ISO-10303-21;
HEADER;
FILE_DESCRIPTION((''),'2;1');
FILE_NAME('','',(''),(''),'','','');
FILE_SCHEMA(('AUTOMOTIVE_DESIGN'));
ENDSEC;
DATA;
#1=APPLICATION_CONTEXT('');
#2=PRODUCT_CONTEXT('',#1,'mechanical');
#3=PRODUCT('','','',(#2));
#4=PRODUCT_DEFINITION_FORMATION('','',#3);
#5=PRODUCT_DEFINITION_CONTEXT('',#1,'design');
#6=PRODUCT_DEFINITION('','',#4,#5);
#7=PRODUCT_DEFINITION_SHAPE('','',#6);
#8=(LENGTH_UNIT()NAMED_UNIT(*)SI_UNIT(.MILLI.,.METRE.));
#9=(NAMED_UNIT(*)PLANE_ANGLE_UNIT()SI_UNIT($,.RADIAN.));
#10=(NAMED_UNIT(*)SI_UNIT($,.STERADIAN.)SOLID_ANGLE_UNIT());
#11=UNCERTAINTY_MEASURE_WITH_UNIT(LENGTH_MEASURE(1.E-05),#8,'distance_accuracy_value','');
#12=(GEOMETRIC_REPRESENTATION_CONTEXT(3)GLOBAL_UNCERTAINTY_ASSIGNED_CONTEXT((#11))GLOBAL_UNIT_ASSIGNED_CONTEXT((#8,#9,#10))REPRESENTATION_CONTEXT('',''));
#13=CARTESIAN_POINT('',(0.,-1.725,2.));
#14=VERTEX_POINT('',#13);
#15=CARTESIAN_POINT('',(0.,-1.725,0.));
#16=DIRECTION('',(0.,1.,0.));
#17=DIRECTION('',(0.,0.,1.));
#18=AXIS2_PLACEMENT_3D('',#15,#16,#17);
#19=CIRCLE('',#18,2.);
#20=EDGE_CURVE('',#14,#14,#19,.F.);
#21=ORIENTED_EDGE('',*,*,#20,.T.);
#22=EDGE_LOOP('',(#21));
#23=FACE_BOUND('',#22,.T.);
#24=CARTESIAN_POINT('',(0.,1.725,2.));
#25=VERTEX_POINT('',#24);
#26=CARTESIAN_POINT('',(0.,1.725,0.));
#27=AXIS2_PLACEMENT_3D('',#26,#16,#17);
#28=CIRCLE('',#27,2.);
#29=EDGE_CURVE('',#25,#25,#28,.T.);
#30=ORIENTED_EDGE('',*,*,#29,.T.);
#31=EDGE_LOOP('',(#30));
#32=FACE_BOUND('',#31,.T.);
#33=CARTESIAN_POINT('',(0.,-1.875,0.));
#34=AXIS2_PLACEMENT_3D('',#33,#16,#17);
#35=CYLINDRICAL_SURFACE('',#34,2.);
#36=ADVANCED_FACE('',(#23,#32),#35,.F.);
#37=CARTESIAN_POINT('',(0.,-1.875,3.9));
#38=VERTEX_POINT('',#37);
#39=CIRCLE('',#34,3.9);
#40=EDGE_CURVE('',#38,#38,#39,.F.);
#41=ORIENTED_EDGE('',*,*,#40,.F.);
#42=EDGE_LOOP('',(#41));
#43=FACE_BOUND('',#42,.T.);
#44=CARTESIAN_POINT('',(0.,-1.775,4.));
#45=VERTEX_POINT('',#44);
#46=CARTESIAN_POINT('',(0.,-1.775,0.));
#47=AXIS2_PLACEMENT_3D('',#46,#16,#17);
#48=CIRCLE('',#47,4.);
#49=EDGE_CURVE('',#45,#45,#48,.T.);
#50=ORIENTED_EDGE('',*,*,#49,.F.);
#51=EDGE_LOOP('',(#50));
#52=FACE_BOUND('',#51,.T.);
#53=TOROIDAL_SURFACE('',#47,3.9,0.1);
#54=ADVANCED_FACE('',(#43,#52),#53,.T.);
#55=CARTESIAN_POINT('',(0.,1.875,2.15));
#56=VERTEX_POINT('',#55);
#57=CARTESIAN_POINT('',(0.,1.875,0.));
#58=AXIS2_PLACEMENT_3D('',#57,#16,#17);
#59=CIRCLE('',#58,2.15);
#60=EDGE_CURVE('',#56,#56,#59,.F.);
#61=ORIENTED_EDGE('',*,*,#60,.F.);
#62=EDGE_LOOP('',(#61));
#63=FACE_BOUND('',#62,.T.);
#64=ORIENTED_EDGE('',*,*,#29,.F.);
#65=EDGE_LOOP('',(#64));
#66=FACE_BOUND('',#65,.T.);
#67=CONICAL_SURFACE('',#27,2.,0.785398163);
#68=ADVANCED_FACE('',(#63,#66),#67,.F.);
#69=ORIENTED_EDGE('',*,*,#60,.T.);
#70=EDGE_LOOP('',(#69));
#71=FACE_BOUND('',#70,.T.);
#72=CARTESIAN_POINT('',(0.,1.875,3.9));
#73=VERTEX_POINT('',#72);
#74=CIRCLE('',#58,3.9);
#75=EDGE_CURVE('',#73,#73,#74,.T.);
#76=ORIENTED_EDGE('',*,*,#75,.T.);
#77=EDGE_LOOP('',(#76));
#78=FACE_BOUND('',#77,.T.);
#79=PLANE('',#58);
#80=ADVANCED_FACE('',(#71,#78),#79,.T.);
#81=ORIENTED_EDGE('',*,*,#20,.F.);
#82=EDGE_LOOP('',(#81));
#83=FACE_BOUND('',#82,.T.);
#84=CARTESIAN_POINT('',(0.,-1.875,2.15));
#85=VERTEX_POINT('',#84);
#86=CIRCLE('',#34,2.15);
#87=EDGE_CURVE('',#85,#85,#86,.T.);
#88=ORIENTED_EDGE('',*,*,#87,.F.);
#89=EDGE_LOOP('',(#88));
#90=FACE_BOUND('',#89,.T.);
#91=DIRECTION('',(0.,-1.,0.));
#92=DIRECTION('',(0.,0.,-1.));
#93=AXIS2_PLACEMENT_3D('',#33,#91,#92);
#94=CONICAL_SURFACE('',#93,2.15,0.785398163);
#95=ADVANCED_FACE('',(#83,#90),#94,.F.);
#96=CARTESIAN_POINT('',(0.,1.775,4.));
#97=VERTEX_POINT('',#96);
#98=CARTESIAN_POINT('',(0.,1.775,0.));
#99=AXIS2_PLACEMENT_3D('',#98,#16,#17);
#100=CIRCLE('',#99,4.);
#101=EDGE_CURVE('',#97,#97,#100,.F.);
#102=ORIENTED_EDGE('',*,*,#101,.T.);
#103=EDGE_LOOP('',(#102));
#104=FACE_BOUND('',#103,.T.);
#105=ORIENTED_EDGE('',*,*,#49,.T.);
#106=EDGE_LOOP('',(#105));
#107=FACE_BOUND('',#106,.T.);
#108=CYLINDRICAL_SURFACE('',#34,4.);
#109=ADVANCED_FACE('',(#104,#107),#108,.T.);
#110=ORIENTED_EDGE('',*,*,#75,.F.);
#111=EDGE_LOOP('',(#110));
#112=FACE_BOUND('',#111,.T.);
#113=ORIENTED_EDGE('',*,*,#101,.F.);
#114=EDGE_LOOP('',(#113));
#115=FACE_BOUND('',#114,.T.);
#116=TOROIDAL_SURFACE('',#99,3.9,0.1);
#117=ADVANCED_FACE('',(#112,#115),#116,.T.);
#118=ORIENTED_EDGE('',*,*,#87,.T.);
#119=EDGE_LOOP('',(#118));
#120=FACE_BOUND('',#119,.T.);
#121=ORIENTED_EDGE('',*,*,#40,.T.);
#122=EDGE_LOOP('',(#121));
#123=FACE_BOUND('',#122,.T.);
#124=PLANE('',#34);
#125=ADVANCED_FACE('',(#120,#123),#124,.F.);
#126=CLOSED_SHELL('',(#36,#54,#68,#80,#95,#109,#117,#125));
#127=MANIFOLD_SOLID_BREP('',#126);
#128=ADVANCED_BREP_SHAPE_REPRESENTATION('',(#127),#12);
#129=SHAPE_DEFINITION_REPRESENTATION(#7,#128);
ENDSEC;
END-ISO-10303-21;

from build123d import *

# Parameters (mm, degrees)
BOSS_EXTRUDE1_DEPTH      = 1.875
BOSS_EXTRUDE1_DEPTH_BACK = 1.875
SKETCH1_R                = 4
SKETCH1_R_2              = 2
FILLET1_R                = 0.1
CHAMFER4_SIZE            = 0.15


with BuildPart() as part:
    # Sketch1 → Boss-Extrude1 (new, two sides: drawn at the far end of the back side and taken through both)
    with BuildSketch(Plane(origin=(0, 0, 0), x_dir=(1, 0, 0), z_dir=(0, 1, 0)).offset(-BOSS_EXTRUDE1_DEPTH_BACK)):
        Circle(SKETCH1_R)
        Circle(SKETCH1_R_2, mode=Mode.SUBTRACT)
    extrude(amount=BOSS_EXTRUDE1_DEPTH + BOSS_EXTRUDE1_DEPTH_BACK)

    # Fillet1
    fillet1_edges = [part.edges().sort_by_distance(p)[0] for p in [
        (-4, 1.875, 0),
        (-4, -1.875, 0),
    ]]
    fillet(fillet1_edges, radius=FILLET1_R)

    # Chamfer4
    chamfer4_edges = [part.edges().sort_by_distance(p)[0] for p in [
        (-2, -1.875, 0),
        (-2, 1.875, 0),
    ]]
    chamfer(chamfer4_edges, length=CHAMFER4_SIZE)


solid = part.part
